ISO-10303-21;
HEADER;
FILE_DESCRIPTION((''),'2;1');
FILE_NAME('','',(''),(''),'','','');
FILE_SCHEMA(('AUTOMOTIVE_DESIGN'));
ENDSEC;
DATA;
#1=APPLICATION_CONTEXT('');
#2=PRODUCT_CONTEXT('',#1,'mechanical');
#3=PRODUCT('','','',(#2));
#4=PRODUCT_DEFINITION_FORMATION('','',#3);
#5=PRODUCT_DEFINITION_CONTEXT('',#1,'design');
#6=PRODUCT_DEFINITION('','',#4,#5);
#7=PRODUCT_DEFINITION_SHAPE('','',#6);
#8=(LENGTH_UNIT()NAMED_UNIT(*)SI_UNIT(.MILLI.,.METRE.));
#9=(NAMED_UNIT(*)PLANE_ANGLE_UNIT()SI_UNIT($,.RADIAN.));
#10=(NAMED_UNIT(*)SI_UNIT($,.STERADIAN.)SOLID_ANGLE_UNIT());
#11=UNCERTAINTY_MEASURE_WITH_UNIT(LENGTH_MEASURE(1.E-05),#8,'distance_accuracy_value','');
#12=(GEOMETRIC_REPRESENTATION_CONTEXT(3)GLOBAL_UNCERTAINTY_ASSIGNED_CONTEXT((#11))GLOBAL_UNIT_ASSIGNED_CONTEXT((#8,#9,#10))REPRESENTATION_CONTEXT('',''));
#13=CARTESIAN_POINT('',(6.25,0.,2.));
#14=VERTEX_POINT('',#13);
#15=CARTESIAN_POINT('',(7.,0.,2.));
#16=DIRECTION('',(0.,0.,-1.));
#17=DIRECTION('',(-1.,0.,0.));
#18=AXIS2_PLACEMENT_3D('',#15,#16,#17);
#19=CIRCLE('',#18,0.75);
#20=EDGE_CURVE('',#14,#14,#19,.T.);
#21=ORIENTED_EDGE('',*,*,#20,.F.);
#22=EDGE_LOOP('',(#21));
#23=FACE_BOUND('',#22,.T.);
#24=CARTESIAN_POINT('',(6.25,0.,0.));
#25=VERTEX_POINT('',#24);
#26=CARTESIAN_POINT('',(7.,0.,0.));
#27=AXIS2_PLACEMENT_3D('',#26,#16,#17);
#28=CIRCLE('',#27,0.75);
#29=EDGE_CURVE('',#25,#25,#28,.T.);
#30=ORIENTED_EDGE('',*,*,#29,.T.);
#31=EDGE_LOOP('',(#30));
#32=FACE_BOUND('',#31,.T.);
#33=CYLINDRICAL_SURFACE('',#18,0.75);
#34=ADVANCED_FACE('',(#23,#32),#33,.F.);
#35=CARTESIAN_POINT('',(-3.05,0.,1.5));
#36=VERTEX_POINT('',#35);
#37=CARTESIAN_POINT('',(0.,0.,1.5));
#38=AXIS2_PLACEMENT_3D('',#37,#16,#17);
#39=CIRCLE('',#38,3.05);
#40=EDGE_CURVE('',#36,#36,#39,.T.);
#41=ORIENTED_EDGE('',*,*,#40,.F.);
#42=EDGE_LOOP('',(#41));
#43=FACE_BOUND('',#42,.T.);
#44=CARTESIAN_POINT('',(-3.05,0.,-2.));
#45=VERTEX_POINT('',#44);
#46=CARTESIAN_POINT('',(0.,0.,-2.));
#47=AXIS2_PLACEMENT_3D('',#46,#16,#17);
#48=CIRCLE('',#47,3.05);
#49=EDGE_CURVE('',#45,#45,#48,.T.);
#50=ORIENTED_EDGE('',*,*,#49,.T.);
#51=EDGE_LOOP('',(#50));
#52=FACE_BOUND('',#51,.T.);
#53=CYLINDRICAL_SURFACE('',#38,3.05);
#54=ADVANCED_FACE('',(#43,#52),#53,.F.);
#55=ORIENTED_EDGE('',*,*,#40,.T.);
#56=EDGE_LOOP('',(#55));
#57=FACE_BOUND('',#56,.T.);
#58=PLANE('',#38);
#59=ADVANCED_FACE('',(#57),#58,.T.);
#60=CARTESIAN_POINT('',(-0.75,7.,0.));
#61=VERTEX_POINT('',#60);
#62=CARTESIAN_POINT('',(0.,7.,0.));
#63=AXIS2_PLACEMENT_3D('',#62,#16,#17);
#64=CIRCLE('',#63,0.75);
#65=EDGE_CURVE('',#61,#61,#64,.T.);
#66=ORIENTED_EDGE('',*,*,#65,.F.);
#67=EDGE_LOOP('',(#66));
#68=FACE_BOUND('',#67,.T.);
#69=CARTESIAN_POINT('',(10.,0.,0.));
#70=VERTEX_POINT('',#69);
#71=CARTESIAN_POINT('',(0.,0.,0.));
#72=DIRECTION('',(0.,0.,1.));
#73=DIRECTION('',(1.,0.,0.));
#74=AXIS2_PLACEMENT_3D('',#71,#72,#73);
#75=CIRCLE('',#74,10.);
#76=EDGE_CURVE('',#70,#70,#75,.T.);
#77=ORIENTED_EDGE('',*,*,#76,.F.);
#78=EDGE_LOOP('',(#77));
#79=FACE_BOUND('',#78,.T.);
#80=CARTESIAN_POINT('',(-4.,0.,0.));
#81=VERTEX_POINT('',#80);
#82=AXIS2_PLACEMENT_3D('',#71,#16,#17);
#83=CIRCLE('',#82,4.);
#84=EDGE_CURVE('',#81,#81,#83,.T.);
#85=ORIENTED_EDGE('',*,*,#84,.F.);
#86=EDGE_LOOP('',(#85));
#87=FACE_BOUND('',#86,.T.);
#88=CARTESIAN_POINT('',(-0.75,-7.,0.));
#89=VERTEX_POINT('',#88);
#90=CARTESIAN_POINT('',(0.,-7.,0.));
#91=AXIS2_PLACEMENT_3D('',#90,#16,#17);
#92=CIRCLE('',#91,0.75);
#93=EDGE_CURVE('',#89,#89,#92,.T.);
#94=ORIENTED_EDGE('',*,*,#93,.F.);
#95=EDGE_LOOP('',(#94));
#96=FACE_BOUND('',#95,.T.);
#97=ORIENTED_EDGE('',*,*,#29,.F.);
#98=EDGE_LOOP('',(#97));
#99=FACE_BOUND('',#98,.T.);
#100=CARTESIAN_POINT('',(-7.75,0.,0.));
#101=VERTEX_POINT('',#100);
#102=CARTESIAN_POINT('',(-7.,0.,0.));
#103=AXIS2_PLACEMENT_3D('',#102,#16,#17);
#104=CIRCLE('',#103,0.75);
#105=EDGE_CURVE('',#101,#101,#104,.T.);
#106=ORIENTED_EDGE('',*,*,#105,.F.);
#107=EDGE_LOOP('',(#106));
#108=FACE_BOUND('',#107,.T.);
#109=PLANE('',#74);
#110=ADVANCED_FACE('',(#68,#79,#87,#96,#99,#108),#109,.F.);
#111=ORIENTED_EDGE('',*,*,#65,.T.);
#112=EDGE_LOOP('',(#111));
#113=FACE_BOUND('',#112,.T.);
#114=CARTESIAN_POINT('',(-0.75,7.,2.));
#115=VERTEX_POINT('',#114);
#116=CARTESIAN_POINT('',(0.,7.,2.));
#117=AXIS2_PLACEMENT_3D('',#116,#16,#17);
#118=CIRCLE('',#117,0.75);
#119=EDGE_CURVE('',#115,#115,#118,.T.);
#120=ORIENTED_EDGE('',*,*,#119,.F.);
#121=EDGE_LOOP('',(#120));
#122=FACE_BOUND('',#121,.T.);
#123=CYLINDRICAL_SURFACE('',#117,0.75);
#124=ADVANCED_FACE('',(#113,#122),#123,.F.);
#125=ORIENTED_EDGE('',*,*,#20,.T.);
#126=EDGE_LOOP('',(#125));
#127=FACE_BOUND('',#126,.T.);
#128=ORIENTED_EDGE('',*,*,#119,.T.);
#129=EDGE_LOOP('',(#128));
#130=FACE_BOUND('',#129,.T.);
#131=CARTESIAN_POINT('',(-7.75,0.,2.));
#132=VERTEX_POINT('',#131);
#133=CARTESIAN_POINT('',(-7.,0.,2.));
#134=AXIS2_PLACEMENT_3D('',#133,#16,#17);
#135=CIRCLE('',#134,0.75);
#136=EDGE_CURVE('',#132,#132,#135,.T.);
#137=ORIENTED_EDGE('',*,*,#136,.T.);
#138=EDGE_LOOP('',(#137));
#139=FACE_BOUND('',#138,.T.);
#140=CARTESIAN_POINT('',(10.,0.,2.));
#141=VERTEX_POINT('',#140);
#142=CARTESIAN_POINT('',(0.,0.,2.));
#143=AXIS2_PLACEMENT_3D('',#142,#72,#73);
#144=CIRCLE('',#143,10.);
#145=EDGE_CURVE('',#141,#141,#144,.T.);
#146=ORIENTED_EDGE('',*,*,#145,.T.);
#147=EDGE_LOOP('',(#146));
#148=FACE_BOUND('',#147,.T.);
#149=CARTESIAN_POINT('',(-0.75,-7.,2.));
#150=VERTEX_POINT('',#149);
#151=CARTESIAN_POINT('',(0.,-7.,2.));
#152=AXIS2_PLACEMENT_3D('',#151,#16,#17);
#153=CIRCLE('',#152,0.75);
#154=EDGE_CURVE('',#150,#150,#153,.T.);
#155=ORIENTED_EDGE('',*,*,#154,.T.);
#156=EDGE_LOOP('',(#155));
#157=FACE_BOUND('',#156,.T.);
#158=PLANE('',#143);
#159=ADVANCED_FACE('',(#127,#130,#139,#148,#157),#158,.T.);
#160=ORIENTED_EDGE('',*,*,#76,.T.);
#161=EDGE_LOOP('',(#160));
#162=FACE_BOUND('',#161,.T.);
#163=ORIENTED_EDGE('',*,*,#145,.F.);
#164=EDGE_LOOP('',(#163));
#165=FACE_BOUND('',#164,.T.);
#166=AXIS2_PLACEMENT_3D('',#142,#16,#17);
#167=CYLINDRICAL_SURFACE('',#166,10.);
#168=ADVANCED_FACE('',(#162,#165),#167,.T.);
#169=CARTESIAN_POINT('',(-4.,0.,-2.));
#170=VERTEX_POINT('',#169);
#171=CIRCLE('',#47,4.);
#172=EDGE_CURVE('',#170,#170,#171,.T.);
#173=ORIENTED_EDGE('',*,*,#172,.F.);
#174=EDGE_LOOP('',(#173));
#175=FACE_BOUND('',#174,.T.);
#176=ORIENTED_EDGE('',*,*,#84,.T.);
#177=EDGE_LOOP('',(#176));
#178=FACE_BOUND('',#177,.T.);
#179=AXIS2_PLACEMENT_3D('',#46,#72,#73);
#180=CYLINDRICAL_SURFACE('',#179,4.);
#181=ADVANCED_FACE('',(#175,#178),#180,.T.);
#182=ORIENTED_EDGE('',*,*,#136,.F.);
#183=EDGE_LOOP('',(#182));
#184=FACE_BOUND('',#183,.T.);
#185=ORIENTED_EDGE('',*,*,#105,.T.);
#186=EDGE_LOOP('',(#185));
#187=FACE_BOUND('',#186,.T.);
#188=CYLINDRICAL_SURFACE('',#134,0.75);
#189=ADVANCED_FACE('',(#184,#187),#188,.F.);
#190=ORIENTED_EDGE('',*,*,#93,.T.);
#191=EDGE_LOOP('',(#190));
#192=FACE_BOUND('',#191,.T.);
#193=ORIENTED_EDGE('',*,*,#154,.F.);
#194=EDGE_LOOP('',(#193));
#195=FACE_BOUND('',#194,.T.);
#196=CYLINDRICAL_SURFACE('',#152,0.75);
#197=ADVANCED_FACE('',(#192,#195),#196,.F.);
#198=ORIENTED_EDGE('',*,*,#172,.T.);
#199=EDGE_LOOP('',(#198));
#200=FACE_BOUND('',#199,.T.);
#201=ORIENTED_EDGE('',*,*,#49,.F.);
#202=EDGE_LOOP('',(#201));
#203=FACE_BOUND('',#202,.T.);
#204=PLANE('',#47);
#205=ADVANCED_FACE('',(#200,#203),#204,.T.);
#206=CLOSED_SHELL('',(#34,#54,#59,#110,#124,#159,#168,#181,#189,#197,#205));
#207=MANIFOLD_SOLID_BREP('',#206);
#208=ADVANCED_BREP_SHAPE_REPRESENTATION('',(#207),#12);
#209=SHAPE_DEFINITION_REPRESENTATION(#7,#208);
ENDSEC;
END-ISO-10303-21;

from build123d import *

# Parameters (mm, degrees)
SKETCH_1_R          = 10
EXTRUDE_1_DEPTH     = 2
SKETCH_2_R          = 4
EXTRUDE_2_DEPTH     = 2
SKETCH_3_R          = 3.05
CUT_EXTRUDE_1_DEPTH = 3.5
SKETCH_4_R          = 0.75
CUT_EXTRUDE_2_DEPTH = 15.282856857


with BuildPart() as part:
    # 草图1 → 凸台-拉伸1 (new body)
    with BuildSketch(Plane.XY):
        Circle(SKETCH_1_R)
    extrude(amount=EXTRUDE_1_DEPTH)

    # 草图2 → 凸台-拉伸2 (add)
    with BuildSketch(Plane(origin=(0, 0, 0), x_dir=(-1, 0, 0), z_dir=(0, 0, -1))):
        Circle(SKETCH_2_R)
    extrude(amount=EXTRUDE_2_DEPTH)

    # 草图3 → 切除-拉伸1 (cut)
    with BuildSketch(Plane(origin=(0, 0, -2), x_dir=(-1, 0, 0), z_dir=(0, 0, -1))):
        Circle(SKETCH_3_R)
    extrude(amount=-CUT_EXTRUDE_1_DEPTH, mode=Mode.SUBTRACT)

    # 草图4 → 切除-拉伸2 (cut, through all)
    with BuildSketch(Plane(origin=(0, 0, 0), x_dir=(-1, 0, 0), z_dir=(0, 0, -1))):
        with Locations((0, 7)):
            Circle(SKETCH_4_R)
        with Locations((7, 0)):
            Circle(SKETCH_4_R)
        with Locations((0, -7)):
            Circle(SKETCH_4_R)
        with Locations((-7, 0)):
            Circle(SKETCH_4_R)
    extrude(amount=-CUT_EXTRUDE_2_DEPTH, mode=Mode.SUBTRACT)


solid = part.part
